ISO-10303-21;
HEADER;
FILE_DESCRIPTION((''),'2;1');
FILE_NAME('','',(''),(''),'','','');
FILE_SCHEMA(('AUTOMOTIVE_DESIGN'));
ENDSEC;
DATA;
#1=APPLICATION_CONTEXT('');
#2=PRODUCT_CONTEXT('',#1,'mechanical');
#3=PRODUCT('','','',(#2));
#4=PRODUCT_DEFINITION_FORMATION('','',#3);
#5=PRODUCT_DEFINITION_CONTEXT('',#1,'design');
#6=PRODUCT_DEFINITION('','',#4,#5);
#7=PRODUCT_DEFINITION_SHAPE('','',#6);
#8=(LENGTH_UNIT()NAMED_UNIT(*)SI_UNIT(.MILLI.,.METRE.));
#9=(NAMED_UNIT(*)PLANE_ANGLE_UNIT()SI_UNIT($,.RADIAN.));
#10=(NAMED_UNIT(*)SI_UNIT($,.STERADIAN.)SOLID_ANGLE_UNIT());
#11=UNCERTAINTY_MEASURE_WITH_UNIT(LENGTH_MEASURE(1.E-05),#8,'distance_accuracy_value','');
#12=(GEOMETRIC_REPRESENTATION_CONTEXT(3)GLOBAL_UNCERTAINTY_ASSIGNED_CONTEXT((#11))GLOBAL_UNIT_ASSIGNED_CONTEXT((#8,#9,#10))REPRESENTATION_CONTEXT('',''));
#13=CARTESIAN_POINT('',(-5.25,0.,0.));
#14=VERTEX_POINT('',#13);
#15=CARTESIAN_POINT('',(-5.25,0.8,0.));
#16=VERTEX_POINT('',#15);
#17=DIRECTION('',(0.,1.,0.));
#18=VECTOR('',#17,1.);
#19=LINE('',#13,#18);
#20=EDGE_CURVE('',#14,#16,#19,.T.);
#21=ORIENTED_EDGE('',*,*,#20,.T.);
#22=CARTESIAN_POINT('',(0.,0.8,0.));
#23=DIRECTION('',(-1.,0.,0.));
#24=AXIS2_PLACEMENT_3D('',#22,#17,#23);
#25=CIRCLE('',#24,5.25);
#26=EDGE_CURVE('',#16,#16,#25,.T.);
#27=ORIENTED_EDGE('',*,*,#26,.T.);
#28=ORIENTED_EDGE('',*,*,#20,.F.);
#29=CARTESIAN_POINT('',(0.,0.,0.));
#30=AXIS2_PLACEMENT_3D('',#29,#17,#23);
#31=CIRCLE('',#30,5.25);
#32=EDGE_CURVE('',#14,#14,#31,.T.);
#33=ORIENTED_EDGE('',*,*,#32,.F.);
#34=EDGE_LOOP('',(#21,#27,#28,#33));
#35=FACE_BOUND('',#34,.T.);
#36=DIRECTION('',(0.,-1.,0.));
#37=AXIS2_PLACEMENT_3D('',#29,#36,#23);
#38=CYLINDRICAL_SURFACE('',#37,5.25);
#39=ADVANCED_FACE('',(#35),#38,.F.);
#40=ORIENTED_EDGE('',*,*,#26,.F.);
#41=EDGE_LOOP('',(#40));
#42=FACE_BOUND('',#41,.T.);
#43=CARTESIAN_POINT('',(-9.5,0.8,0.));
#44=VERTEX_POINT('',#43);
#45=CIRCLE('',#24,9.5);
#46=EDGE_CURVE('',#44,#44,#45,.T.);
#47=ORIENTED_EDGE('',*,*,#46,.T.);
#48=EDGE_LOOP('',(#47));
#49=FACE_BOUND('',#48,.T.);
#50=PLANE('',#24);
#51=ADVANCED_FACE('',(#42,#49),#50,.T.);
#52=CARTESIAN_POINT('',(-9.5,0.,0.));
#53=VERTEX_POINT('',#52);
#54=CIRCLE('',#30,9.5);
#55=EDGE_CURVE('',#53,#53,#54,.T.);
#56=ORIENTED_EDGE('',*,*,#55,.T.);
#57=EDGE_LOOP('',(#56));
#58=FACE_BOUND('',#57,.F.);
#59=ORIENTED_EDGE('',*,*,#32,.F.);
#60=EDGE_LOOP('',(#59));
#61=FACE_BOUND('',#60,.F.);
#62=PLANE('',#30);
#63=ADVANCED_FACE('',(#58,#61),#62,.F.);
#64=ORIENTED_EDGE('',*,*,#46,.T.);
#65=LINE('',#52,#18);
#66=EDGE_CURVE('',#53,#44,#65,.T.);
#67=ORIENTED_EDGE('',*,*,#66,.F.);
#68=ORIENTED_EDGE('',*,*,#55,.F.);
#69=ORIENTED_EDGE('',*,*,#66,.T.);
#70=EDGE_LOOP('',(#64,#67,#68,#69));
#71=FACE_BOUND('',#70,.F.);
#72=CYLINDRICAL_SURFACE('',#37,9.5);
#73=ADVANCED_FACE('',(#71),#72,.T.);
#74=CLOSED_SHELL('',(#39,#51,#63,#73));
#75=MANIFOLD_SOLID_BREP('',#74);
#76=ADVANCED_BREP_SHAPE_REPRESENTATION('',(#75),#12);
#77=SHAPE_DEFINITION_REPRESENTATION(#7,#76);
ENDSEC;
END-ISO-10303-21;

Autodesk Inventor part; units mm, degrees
ref_plane "YZ Plane" through (0, 0, 0) normal (1, 0, 0) x (0, 1, 0)
ref_plane "XZ Plane" through (0, 0, 0) normal (0, 1, 0) x (-1, 0, 0)
ref_plane "XY Plane" through (0, 0, 0) normal (0, 0, 1) x (1, 0, 0)
sketch "Skizze1" plane through (0, 0, 0) normal (0, 1, 0) x (-1, 0, 0)
  circle A0 centre (0, 0) radius 9.5
  circle A1 centre (0, 0) radius 5.25
  dimension "d0" = 19
  dimension "d1" = 10.5
extrude "Extrusion1" add sketch "Skizze1" along normal blind 0.8
properties part number "Disntanzscheibe_pleuelscheibe"
